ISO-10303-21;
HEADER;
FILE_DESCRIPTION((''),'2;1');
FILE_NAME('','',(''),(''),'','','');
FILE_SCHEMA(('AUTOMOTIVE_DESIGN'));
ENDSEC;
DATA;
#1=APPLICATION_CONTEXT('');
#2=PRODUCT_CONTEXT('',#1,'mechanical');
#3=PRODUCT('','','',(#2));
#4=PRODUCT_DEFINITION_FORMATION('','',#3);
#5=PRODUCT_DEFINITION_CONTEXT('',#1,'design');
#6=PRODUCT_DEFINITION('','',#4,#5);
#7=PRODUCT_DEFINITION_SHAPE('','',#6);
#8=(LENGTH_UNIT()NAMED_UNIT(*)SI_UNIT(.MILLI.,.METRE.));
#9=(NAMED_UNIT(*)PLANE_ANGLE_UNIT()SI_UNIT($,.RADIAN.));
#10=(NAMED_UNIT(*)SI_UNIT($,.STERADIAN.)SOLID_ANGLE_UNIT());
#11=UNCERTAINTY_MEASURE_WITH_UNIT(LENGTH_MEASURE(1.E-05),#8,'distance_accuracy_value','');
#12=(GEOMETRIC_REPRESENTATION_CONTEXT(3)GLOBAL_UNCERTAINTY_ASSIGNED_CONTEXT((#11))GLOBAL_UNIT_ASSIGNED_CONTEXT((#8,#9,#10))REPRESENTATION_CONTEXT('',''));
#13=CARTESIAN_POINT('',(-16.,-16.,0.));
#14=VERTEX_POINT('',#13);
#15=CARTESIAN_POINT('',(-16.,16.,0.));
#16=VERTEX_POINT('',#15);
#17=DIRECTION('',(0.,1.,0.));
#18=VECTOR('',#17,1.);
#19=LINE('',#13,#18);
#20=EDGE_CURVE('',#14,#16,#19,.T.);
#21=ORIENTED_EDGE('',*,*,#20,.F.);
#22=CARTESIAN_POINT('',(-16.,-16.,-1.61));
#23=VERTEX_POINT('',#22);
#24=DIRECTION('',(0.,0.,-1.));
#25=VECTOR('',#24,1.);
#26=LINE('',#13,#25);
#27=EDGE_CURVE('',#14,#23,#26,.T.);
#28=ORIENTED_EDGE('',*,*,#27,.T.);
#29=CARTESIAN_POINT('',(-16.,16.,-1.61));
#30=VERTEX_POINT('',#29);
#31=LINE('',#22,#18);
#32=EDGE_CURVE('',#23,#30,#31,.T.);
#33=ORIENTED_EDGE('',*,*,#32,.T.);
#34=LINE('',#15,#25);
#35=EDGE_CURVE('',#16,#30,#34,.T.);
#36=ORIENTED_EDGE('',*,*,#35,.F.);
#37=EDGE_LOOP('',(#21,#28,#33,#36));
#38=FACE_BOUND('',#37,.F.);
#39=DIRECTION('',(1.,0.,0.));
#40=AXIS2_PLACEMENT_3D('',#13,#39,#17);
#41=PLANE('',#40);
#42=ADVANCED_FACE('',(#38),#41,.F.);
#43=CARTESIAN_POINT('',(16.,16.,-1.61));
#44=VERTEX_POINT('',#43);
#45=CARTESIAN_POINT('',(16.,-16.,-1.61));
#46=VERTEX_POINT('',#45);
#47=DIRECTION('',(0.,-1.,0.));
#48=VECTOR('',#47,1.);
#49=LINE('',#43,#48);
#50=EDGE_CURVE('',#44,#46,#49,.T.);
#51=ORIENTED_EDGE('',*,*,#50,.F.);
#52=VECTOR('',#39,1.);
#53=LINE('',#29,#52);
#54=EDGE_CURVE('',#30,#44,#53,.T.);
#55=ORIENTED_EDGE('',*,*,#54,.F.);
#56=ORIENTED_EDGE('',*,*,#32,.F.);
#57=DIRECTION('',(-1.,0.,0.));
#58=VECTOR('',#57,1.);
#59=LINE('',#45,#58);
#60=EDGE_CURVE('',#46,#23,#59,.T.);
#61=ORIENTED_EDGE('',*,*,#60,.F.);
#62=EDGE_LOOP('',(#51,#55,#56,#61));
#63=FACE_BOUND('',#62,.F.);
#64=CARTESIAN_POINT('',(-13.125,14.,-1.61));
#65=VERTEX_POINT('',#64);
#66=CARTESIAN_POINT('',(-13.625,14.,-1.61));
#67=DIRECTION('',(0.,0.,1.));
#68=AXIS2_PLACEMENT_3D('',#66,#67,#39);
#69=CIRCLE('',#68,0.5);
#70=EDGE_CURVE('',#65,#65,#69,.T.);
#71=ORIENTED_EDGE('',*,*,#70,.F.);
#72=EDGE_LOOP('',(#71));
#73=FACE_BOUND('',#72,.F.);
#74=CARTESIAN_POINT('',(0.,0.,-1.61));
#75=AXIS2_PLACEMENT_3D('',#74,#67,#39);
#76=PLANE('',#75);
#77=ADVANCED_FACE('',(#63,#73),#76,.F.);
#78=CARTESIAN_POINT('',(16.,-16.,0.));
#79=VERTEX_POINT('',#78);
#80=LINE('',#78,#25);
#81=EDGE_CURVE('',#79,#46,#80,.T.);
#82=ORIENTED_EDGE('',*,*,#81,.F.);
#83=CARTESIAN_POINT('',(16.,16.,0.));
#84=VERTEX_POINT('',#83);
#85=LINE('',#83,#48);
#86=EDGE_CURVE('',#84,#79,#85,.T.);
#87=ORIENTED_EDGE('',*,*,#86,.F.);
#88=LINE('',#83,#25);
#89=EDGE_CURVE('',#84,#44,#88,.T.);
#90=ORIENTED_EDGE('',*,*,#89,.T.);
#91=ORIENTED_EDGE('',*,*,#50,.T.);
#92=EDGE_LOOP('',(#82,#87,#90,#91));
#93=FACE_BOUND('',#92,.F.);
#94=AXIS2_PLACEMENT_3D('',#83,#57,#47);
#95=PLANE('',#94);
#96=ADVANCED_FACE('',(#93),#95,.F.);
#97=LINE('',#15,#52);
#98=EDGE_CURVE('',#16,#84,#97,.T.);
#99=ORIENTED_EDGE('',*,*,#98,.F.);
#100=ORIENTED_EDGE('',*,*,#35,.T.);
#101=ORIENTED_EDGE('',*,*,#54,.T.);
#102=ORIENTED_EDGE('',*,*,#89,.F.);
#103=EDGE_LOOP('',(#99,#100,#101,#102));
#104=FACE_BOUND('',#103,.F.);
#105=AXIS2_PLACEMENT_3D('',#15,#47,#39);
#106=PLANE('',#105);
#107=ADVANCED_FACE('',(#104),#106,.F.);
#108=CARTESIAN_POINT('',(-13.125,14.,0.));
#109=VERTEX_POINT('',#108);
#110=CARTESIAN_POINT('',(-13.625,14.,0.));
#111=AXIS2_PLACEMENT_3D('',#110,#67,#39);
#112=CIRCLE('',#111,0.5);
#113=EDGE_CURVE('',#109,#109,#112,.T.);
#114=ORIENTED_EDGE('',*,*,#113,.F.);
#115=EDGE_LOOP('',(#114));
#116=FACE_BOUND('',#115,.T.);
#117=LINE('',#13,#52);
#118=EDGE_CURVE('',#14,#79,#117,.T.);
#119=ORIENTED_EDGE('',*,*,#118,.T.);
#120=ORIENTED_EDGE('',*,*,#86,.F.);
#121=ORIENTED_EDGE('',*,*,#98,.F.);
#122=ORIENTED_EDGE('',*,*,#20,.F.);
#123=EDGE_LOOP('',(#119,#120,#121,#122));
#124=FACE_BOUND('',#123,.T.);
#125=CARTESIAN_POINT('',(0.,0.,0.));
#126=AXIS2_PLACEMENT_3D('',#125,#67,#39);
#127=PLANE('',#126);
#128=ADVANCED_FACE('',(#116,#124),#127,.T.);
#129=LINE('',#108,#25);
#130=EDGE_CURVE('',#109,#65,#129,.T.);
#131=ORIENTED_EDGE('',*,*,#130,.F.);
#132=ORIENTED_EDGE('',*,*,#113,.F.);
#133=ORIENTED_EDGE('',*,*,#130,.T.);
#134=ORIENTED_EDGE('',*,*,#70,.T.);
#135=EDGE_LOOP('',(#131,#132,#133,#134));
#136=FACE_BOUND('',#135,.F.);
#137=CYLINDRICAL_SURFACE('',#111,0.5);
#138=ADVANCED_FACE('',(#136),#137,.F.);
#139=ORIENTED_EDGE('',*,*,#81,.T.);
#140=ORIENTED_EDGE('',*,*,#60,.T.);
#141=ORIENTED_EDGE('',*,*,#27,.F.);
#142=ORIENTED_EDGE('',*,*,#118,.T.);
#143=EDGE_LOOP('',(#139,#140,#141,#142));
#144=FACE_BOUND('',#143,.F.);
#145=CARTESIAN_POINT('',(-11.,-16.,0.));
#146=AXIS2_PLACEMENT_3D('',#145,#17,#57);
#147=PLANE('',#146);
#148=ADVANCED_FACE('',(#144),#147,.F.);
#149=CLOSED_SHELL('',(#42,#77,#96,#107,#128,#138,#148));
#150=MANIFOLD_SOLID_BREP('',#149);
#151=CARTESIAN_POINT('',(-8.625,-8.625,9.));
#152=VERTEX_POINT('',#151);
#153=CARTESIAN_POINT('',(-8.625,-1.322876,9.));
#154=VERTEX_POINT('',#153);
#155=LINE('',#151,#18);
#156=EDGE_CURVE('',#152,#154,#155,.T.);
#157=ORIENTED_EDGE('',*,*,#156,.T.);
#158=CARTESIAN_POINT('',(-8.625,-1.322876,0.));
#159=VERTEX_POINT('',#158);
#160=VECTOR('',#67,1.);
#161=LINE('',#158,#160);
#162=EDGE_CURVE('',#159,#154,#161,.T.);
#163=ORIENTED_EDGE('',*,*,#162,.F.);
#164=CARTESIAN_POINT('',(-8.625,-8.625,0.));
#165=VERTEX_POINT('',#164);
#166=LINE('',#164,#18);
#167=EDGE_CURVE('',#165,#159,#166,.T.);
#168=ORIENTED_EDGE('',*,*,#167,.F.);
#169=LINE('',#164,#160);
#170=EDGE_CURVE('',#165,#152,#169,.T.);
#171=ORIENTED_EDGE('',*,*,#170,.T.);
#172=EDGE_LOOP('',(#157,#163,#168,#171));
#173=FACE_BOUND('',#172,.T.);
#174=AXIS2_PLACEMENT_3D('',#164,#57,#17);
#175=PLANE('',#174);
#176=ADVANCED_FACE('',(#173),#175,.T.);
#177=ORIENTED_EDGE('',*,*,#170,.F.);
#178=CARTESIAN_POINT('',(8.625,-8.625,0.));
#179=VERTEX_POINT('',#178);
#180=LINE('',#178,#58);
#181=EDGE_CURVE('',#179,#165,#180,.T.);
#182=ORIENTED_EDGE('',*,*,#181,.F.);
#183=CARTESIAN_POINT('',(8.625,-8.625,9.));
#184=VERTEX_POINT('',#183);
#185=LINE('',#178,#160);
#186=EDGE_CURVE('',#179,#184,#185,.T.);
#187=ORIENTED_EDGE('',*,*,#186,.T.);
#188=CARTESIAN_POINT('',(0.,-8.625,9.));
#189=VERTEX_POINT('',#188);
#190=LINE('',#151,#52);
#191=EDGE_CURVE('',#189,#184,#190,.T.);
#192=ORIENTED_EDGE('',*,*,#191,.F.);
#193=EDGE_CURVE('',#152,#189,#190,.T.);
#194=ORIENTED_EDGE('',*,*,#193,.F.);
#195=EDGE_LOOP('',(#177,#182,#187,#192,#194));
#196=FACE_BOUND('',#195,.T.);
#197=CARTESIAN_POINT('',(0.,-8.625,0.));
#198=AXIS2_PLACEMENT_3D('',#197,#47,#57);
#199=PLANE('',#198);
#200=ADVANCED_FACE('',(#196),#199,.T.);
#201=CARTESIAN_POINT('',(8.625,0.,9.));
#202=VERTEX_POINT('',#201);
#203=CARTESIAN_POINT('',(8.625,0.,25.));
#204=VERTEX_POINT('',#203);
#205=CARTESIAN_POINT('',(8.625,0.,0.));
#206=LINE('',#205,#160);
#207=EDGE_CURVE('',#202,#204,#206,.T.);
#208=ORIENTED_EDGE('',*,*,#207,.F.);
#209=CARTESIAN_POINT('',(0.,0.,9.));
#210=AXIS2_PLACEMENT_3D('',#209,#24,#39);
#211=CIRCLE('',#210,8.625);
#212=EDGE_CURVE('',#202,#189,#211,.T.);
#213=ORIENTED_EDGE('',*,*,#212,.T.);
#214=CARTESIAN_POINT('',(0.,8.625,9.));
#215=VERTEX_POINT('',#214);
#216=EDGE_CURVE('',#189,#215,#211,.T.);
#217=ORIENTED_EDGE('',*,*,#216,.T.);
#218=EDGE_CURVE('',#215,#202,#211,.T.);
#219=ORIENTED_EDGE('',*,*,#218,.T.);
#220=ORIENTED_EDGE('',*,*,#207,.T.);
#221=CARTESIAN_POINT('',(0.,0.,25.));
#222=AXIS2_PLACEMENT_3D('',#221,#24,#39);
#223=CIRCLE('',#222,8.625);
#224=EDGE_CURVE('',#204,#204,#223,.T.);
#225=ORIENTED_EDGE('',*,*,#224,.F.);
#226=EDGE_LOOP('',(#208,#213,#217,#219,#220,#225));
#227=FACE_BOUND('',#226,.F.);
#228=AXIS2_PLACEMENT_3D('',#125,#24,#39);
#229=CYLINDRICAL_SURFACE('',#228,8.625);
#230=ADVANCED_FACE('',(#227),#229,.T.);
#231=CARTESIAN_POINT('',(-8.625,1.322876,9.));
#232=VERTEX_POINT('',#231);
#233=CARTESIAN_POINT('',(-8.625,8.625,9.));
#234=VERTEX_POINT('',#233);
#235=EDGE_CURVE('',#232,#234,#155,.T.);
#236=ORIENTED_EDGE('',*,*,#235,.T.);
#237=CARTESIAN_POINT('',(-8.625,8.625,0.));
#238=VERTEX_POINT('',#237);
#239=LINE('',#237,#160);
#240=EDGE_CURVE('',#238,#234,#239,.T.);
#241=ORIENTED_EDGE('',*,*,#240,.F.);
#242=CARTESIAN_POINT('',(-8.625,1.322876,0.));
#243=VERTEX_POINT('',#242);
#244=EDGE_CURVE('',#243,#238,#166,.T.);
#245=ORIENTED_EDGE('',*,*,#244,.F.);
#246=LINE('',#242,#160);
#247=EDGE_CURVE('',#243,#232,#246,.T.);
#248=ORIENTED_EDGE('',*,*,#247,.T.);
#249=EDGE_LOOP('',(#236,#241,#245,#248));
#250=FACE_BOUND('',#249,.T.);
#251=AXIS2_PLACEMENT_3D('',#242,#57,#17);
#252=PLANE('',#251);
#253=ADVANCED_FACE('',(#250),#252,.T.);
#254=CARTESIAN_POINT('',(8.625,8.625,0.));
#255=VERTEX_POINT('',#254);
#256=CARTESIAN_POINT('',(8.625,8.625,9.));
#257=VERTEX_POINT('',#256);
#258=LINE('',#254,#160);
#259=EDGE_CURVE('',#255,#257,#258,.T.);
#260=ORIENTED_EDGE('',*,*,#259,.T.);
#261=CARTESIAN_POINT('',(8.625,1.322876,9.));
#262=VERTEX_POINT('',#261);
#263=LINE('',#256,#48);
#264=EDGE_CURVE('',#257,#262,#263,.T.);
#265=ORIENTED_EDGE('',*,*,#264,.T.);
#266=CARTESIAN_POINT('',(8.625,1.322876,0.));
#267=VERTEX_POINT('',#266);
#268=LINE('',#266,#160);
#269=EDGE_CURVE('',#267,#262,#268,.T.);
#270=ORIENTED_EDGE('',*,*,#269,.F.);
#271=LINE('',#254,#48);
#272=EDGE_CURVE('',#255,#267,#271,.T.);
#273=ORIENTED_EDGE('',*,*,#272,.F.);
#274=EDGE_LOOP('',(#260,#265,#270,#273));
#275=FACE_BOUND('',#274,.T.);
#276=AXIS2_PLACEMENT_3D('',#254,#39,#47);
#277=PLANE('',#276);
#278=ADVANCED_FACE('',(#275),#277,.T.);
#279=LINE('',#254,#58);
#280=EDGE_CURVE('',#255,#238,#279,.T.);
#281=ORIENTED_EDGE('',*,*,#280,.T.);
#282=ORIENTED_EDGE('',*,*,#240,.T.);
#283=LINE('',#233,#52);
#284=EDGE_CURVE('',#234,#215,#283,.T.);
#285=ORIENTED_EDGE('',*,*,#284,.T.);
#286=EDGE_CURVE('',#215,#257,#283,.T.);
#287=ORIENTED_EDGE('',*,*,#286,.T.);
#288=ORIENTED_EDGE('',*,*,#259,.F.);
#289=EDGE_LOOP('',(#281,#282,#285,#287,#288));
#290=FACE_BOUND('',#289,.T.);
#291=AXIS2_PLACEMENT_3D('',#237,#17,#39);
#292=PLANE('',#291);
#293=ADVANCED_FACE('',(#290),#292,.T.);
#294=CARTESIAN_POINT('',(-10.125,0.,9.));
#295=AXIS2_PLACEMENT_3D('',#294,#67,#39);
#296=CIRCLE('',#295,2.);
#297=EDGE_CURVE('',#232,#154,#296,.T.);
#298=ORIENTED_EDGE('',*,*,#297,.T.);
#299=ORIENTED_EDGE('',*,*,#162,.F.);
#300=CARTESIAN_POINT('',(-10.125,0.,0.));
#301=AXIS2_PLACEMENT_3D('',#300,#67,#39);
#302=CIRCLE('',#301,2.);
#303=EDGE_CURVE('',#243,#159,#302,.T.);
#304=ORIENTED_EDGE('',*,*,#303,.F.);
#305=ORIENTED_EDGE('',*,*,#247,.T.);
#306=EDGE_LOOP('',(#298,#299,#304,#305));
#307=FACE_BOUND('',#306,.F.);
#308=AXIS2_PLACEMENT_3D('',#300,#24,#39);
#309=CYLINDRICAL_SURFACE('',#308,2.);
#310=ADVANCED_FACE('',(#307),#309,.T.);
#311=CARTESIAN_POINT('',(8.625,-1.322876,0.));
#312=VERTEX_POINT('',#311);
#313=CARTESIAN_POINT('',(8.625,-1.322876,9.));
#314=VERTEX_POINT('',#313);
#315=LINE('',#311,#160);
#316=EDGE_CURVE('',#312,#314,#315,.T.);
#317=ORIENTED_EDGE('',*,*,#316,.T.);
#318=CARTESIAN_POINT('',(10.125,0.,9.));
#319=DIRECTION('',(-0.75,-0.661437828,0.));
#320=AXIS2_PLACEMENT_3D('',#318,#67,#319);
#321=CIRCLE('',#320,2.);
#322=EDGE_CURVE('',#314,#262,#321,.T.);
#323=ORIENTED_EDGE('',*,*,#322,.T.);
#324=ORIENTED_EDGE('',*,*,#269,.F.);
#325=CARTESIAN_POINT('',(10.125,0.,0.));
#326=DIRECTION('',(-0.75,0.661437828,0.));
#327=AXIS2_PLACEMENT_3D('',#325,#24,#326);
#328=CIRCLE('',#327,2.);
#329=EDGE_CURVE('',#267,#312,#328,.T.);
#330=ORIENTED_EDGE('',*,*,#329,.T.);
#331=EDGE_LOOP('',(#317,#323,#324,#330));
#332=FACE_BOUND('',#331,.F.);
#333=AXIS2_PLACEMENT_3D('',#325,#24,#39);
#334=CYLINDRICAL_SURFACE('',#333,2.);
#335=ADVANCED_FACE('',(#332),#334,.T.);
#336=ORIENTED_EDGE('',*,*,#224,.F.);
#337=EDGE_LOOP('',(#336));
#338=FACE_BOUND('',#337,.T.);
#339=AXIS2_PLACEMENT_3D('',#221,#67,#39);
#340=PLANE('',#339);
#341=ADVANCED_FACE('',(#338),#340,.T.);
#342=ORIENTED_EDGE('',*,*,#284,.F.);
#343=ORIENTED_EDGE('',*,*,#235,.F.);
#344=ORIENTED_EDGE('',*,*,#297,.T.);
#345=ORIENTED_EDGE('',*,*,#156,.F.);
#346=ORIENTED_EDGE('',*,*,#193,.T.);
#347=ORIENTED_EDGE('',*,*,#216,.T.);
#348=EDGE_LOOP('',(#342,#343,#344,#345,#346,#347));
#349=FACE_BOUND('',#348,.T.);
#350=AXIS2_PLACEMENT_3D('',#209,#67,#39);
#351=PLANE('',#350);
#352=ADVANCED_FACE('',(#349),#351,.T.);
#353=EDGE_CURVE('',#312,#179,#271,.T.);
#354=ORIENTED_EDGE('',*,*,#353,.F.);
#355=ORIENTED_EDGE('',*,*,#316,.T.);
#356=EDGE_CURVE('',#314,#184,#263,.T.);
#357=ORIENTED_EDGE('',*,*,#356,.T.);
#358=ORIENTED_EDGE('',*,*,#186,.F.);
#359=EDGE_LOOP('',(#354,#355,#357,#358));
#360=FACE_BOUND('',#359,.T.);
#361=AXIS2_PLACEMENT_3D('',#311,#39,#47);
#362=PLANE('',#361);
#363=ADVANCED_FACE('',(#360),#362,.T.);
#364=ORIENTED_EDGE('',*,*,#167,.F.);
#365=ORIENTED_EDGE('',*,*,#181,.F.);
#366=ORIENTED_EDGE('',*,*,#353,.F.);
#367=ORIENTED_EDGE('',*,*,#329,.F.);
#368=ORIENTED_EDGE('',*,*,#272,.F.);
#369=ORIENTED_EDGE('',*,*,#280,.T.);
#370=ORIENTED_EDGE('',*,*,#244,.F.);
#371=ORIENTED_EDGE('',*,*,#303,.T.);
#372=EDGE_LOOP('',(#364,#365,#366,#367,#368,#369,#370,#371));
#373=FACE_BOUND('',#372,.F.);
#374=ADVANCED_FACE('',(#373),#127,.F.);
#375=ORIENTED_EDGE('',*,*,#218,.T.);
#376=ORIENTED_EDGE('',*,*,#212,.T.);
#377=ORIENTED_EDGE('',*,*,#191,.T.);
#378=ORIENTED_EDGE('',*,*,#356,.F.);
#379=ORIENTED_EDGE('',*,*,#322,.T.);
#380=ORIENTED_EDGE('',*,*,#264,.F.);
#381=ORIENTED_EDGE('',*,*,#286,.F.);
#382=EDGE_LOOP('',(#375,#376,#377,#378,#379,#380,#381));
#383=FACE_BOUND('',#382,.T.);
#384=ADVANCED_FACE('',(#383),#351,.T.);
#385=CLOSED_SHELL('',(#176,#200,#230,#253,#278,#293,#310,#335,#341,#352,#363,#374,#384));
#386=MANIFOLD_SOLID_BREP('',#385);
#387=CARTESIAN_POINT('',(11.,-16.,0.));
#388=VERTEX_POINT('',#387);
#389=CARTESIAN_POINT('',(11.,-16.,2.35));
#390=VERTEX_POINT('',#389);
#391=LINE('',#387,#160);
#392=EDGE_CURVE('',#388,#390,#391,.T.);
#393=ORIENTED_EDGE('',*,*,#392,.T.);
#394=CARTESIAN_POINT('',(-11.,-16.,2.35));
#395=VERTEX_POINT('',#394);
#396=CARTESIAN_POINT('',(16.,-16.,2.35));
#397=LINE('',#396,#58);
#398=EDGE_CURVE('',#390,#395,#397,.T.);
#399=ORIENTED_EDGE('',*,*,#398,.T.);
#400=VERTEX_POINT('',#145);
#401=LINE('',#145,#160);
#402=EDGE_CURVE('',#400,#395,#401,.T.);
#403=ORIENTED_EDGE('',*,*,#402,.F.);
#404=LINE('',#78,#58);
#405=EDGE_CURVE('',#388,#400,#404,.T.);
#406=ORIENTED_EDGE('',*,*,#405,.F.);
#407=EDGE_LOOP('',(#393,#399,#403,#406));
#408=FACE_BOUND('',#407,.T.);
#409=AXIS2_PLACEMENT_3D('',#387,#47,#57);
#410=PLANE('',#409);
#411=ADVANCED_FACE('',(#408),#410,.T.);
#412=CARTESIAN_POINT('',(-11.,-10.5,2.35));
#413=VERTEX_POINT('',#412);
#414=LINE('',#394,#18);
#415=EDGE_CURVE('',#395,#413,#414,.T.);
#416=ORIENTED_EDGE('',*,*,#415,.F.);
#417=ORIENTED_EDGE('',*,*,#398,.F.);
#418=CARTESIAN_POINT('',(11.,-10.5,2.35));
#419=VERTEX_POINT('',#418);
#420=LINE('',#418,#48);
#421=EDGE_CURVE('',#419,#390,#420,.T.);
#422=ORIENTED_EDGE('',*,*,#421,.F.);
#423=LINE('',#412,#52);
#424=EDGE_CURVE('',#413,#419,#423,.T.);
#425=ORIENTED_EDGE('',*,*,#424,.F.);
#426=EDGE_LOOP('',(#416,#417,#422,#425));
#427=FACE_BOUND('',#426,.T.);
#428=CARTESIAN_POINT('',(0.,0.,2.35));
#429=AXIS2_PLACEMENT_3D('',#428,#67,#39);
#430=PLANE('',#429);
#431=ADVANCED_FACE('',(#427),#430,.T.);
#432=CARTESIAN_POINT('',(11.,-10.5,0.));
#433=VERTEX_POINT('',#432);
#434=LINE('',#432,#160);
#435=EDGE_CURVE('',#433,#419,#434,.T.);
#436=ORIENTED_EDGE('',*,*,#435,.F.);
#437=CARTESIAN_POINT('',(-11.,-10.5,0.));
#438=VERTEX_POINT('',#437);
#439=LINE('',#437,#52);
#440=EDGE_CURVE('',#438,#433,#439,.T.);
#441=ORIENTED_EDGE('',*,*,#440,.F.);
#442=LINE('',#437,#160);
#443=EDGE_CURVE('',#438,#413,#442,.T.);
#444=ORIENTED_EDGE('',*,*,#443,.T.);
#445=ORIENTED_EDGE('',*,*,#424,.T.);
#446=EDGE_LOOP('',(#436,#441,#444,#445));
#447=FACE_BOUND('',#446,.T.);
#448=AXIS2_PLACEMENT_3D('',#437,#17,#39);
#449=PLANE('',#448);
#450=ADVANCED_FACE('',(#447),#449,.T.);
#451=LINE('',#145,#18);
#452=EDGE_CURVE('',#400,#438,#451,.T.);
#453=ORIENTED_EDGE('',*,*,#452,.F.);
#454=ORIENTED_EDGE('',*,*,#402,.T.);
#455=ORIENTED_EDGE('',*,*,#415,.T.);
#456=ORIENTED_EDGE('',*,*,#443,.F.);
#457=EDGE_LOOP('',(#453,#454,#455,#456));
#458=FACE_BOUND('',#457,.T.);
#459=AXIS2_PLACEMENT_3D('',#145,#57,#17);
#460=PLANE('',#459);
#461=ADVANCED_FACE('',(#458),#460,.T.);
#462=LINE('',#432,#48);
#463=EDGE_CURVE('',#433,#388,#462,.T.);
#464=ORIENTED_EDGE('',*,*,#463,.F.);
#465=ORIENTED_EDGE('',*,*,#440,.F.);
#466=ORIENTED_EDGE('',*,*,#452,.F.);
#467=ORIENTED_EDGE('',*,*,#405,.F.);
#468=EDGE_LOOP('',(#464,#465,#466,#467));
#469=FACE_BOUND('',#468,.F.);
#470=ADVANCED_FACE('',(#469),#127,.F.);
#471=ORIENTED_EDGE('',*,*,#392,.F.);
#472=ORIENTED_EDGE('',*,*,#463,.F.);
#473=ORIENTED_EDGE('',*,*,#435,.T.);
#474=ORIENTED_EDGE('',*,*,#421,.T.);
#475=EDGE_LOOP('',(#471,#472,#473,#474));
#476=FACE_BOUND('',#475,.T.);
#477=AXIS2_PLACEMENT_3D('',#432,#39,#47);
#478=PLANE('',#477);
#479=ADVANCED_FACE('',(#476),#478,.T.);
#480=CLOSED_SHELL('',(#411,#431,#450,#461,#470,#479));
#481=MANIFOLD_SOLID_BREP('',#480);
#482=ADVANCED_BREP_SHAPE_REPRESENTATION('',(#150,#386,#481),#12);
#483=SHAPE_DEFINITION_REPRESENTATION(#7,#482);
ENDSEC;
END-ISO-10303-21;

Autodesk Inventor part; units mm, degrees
ref_plane "YZ Plane" through (0, 0, 0) normal (1, 0, 0) x (0, 1, 0)
ref_plane "XZ Plane" through (0, 0, 0) normal (0, 1, 0) x (-1, 0, 0)
ref_plane "XY Plane" through (0, 0, 0) normal (0, 0, 1) x (1, 0, 0)
sketch "Boceto1" plane through (0, 0, 0) normal (0, 0, 1) x (1, 0, 0)
  line L0 (-16, 16) -> (16, 16)
  line L1 (16, 16) -> (16, -16)
  line L2 (16, -16) -> (-16, -16)
  line L3 (-16, -16) -> (-16, 16)
  line L4 (-16, 0) -> (16, 0) construction
  line L5 (-11, -10.5) -> (11, -10.5)
  line L6 (11, -10.5) -> (11, -16)
  line L7 (11, -16) -> (-11, -16)
  line L8 (-11, -16) -> (-11, -10.5)
  line L9 (-8.625, 8.625) -> (8.625, 8.625)
  line L10 (8.625, 8.625) -> (8.625, -8.625)
  line L11 (8.625, -8.625) -> (-8.625, -8.625)
  line L12 (-8.625, -8.625) -> (-8.625, 8.625)
  line L13 (0, 0) -> (0, 8.625) construction
  circle A0 centre (10.125, 0) radius 2
  line L14 (0, 0) -> (10.125, 0) construction
  circle A1 centre (-10.125, 0) radius 2
  circle A2 centre (0, 0) radius 8.625
  circle A3 centre (-13.625, 14) radius 0.5
  point P0 (0, -16)
  point P1 (-8.625, 0)
  point P2 (-8.625, 1.3229)
  point P3 (-8.625, -1.3229)
  point P4 (8.625, -1.3229)
  point P5 (8.625, 1.3229)
  point P6 (-8.5386, 1.2179)
  point P7 (-8.5386, -1.2179)
  point P8 (8.5386, -1.2179)
  point P9 (8.5386, 1.2179)
  dimension "d0" = 32
  dimension "d1" = 22
  dimension "d2" = 5.5
  dimension "d3" = 17.25
  dimension "d4" = 4
  dimension "d6" = 1.5
  dimension "d7" = 1.5
  dimension "d16" = 13.625
  dimension "d17" = 2
  dimension "d18" = 1
extrude "Extrusión1" add sketch "Boceto1" along normal blind 9 contours L9 A2 A1 L12 | L9 L10 A0 A2 | A2 A0 A1 | A1 A2 L12 | L12 A1 | A2 A0 | A0 L10 A2 | A1 A2 | A2 A1 L12 | A1 A2 L11 L12 | A0 L10 | A2 L10 A0 | A0 L10 L11 A2
extrude "Extrusión2" add sketch "Boceto1" against normal blind 1.61 separate body contours L0 L1 L2 L6 L5 L8 L3 | L8 L5 L6 L2 | L9 A2 A1 L12 | L9 L10 A0 A2 | A2 A0 A1 | A1 A2 L12 | L12 A1 | A2 A0 | A0 L10 A2 | A1 A2 | A2 A1 L12 | A1 A2 L11 L12 | A0 L10 | A2 L10 A0 | A0 L10 L11 A2 | A3
extrude "Extrusión3" add sketch "Boceto1" along normal blind 2.35 separate body contours L8 L5 L6 L2
extrude "Extrusión4" add sketch "Boceto1" along normal blind 25 contours A2 A0 A1 | A2 A0 | A1 A2 bodies 1
extrude "Extrusión5" cut sketch "Boceto1" against normal blind 25 contours A3 bodies 2
equation "\"d7\" = d6"
properties part number "PiCam"
